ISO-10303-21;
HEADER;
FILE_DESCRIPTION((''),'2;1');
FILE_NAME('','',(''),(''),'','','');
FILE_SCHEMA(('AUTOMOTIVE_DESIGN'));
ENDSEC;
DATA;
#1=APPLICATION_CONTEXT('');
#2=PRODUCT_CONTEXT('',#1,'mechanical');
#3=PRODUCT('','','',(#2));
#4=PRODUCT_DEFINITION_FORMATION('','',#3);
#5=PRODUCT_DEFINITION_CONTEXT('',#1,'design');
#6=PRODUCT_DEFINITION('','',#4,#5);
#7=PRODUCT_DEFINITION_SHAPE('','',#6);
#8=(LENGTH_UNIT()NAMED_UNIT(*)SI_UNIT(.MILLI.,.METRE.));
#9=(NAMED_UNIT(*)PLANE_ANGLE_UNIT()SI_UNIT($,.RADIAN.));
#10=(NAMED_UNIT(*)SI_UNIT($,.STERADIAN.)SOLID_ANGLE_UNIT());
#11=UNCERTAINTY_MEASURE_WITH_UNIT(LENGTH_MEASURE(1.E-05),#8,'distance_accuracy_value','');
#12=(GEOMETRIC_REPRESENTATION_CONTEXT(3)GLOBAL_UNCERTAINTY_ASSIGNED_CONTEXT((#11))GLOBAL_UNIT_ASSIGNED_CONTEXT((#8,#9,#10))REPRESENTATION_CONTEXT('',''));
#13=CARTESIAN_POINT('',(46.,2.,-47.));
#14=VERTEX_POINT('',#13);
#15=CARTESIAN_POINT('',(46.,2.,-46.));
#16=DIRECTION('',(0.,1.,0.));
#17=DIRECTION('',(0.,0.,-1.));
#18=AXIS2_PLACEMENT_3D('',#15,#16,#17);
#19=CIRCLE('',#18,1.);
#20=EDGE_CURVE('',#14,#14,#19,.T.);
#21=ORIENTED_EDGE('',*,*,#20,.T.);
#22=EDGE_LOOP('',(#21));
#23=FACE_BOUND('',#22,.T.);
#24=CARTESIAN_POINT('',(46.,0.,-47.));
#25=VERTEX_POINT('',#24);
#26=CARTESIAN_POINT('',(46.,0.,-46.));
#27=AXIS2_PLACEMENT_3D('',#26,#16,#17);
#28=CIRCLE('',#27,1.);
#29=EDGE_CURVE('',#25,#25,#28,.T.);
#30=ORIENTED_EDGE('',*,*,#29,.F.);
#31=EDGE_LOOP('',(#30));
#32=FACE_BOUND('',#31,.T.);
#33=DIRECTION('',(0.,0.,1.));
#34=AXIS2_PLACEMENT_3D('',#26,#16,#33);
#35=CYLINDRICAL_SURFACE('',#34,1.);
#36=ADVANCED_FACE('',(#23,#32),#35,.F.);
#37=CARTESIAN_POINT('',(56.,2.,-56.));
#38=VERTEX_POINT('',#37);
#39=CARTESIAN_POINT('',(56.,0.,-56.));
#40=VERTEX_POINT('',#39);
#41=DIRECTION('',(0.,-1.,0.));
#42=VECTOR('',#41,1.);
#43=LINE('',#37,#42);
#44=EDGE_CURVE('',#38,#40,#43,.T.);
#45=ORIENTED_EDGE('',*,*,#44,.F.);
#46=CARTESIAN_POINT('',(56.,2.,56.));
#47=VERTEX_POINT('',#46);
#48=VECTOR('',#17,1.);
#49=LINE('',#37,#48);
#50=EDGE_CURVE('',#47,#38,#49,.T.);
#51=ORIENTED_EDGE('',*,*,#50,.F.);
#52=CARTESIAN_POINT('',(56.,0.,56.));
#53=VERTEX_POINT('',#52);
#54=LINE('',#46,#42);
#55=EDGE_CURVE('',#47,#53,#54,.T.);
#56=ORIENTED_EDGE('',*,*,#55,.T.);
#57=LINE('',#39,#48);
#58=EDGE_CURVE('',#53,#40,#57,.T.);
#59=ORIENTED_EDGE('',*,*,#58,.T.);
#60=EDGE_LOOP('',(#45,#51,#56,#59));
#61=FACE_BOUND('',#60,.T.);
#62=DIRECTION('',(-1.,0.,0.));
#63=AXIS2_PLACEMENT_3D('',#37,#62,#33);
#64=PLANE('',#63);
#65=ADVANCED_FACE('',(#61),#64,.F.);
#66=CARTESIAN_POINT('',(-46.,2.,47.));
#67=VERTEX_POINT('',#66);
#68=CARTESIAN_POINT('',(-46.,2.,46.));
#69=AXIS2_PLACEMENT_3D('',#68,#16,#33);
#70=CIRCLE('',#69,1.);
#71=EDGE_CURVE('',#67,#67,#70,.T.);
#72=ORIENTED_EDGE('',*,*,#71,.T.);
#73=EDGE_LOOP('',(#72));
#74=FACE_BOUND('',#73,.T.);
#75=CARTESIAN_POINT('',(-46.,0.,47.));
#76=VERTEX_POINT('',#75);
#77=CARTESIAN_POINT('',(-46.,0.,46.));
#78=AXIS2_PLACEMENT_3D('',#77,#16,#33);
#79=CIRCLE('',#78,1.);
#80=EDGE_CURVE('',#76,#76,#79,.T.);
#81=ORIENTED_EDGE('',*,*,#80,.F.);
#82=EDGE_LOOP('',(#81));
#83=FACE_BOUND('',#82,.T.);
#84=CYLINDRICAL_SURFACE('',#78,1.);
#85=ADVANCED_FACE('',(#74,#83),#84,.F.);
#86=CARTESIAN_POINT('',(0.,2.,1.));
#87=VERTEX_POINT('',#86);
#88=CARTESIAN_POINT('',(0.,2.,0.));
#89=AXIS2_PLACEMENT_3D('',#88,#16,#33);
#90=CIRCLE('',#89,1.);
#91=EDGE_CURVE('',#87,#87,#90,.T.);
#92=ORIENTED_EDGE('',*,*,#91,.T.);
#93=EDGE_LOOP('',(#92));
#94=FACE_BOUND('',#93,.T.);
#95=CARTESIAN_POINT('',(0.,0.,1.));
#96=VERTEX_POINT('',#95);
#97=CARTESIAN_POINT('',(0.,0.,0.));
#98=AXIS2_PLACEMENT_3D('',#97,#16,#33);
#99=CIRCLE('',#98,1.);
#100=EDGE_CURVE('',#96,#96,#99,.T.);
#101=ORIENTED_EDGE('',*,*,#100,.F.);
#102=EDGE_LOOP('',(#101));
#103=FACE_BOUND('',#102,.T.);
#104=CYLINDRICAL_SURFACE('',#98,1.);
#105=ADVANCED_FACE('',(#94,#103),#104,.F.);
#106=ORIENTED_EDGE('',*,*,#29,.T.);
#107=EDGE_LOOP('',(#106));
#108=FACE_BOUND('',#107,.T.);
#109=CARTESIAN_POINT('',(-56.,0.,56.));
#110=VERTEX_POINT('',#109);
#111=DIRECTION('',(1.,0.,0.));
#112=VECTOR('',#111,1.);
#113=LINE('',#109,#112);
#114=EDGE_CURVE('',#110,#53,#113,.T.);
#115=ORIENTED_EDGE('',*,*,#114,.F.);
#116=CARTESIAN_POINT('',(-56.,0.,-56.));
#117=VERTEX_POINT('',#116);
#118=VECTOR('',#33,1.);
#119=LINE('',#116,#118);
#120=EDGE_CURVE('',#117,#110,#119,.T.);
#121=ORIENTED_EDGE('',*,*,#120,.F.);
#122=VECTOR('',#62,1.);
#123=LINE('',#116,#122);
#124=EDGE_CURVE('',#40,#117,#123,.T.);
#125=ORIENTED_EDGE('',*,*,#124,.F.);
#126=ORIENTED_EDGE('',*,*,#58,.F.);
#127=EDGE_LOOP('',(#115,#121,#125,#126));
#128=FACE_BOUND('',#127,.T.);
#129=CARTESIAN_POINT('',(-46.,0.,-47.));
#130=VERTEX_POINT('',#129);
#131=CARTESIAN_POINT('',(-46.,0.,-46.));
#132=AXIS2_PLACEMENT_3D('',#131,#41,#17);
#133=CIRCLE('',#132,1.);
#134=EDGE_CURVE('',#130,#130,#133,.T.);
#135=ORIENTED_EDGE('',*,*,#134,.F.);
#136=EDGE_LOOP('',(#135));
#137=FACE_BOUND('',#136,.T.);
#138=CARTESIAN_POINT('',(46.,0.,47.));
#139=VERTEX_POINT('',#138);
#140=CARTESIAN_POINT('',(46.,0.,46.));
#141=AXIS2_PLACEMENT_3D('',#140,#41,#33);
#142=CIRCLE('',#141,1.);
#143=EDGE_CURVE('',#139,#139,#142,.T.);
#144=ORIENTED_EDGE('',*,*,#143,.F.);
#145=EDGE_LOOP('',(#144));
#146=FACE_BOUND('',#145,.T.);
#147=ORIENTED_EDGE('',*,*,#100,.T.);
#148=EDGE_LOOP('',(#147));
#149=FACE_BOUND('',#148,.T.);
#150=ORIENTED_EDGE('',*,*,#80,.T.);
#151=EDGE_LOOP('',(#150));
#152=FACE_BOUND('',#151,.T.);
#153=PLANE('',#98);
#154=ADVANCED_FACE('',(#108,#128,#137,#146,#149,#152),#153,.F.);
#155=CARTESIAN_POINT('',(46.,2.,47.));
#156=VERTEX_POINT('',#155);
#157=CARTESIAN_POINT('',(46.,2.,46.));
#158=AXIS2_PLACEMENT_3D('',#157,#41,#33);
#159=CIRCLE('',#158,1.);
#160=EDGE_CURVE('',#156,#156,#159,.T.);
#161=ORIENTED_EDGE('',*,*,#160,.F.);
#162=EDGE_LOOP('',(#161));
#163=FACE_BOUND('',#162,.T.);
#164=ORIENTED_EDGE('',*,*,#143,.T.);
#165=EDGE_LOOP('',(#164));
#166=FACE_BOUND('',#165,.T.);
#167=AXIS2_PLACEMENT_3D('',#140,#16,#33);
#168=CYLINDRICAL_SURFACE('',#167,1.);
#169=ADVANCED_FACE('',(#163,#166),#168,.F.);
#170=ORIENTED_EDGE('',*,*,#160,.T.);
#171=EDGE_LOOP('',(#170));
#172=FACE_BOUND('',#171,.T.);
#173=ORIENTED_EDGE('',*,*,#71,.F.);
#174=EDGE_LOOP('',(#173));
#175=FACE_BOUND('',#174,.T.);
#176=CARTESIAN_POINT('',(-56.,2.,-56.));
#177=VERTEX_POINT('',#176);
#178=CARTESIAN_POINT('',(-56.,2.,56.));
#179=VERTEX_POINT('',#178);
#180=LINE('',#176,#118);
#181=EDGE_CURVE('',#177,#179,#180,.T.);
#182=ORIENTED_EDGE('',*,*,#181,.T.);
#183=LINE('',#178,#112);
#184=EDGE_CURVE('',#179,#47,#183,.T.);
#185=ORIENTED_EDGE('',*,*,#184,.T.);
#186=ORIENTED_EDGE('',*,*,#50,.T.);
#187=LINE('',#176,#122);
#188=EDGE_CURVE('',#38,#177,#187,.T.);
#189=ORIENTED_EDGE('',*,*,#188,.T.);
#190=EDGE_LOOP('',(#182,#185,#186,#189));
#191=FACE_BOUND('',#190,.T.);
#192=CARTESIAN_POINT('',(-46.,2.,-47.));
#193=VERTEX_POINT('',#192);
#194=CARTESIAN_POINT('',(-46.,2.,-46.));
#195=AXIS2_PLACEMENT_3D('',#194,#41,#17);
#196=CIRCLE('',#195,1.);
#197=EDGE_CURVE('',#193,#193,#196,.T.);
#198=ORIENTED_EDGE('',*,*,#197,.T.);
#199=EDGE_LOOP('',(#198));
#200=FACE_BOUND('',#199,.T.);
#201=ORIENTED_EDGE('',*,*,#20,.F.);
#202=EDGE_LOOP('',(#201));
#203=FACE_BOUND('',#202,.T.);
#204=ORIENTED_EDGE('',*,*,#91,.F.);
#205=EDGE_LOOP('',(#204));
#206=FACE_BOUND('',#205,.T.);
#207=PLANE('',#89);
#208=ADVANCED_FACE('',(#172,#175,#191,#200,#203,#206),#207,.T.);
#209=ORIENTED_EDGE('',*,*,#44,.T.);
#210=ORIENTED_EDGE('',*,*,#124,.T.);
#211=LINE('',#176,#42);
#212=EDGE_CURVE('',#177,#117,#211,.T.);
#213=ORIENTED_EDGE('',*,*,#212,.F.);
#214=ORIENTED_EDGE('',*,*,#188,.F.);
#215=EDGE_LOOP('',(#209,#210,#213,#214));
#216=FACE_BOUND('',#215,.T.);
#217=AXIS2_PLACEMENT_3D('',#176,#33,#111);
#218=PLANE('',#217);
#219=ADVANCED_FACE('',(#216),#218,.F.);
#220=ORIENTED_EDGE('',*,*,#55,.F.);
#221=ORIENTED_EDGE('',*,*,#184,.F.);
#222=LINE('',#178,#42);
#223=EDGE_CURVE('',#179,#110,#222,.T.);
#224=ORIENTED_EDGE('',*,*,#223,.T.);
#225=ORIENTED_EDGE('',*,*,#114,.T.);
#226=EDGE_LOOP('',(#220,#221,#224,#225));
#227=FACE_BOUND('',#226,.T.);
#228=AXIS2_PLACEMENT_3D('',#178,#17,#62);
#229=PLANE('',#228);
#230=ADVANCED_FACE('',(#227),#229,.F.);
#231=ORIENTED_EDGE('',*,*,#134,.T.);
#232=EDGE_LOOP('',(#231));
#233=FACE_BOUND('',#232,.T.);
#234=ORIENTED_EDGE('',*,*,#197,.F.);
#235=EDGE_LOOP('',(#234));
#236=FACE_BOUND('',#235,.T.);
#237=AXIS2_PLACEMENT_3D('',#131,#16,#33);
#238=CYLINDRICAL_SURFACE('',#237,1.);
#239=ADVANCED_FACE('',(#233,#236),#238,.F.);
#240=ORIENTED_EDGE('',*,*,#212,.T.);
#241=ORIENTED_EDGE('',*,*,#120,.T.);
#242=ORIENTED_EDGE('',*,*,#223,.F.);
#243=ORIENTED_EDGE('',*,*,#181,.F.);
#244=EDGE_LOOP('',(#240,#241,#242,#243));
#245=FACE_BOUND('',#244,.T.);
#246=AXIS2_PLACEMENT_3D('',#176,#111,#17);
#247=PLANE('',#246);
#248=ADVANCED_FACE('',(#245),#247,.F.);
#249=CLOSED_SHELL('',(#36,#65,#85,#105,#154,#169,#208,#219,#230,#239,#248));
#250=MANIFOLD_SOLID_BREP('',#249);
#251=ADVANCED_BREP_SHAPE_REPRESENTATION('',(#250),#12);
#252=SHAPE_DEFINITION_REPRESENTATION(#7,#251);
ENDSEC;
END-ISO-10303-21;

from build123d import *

# Parameters (mm, degrees)
SKETCH1_W                                  = 112
SKETCH1_H                                  = 112
BOSS_EXTRUDE1_DEPTH                        = 2
SKETCH2_R                                  = 1
CUT_EXTRUDE1_DEPTH                         = 2
MIRROR1_AT_THE_SECOND_PLANE_COPY_1_SKETC_R = 1
MIRROR1_AT_THE_SECOND_PLANE_COPY_1_DEPTH   = 2


with BuildPart() as part:
    # Sketch1 → Boss-Extrude1 (new body)
    with BuildSketch(Plane(origin=(0, 0, 0), x_dir=(1, 0, 0), z_dir=(0, 1, 0))):
        Rectangle(SKETCH1_W, SKETCH1_H)
    extrude(amount=BOSS_EXTRUDE1_DEPTH)

    # Sketch2 → Cut-Extrude1 (cut)
    with BuildSketch(Plane(origin=(0, 2, 0), x_dir=(1, 0, 0), z_dir=(0, 1, 0))):
        with Locations((-46, -46)):
            Circle(SKETCH2_R)
        Circle(SKETCH2_R)
    cut_extrude1 = extrude(amount=-CUT_EXTRUDE1_DEPTH, mode=Mode.SUBTRACT)

    # Mirror1: Cut-Extrude1 across plane
    add(cut_extrude1.mirror(Plane(origin=(0, 0, 0), x_dir=(0, 0, 1), z_dir=(1, 0, 0))), mode=Mode.SUBTRACT)

    # Mirror1 at the second plane: Cut-Extrude1 across plane
    add(cut_extrude1.mirror(Plane.XY), mode=Mode.SUBTRACT)

    # Mirror1 at the second plane copy 1 sketc → Mirror1 at the second plane copy 1 (cut)
    with BuildSketch(Plane(origin=(0, 2, 0), x_dir=(-1, 0, 0), z_dir=(0, 1, 0))):
        with Locations((-46, -46)):
            Circle(MIRROR1_AT_THE_SECOND_PLANE_COPY_1_SKETC_R)
        Circle(MIRROR1_AT_THE_SECOND_PLANE_COPY_1_SKETC_R)
    extrude(amount=-MIRROR1_AT_THE_SECOND_PLANE_COPY_1_DEPTH, mode=Mode.SUBTRACT)


solid = part.part
